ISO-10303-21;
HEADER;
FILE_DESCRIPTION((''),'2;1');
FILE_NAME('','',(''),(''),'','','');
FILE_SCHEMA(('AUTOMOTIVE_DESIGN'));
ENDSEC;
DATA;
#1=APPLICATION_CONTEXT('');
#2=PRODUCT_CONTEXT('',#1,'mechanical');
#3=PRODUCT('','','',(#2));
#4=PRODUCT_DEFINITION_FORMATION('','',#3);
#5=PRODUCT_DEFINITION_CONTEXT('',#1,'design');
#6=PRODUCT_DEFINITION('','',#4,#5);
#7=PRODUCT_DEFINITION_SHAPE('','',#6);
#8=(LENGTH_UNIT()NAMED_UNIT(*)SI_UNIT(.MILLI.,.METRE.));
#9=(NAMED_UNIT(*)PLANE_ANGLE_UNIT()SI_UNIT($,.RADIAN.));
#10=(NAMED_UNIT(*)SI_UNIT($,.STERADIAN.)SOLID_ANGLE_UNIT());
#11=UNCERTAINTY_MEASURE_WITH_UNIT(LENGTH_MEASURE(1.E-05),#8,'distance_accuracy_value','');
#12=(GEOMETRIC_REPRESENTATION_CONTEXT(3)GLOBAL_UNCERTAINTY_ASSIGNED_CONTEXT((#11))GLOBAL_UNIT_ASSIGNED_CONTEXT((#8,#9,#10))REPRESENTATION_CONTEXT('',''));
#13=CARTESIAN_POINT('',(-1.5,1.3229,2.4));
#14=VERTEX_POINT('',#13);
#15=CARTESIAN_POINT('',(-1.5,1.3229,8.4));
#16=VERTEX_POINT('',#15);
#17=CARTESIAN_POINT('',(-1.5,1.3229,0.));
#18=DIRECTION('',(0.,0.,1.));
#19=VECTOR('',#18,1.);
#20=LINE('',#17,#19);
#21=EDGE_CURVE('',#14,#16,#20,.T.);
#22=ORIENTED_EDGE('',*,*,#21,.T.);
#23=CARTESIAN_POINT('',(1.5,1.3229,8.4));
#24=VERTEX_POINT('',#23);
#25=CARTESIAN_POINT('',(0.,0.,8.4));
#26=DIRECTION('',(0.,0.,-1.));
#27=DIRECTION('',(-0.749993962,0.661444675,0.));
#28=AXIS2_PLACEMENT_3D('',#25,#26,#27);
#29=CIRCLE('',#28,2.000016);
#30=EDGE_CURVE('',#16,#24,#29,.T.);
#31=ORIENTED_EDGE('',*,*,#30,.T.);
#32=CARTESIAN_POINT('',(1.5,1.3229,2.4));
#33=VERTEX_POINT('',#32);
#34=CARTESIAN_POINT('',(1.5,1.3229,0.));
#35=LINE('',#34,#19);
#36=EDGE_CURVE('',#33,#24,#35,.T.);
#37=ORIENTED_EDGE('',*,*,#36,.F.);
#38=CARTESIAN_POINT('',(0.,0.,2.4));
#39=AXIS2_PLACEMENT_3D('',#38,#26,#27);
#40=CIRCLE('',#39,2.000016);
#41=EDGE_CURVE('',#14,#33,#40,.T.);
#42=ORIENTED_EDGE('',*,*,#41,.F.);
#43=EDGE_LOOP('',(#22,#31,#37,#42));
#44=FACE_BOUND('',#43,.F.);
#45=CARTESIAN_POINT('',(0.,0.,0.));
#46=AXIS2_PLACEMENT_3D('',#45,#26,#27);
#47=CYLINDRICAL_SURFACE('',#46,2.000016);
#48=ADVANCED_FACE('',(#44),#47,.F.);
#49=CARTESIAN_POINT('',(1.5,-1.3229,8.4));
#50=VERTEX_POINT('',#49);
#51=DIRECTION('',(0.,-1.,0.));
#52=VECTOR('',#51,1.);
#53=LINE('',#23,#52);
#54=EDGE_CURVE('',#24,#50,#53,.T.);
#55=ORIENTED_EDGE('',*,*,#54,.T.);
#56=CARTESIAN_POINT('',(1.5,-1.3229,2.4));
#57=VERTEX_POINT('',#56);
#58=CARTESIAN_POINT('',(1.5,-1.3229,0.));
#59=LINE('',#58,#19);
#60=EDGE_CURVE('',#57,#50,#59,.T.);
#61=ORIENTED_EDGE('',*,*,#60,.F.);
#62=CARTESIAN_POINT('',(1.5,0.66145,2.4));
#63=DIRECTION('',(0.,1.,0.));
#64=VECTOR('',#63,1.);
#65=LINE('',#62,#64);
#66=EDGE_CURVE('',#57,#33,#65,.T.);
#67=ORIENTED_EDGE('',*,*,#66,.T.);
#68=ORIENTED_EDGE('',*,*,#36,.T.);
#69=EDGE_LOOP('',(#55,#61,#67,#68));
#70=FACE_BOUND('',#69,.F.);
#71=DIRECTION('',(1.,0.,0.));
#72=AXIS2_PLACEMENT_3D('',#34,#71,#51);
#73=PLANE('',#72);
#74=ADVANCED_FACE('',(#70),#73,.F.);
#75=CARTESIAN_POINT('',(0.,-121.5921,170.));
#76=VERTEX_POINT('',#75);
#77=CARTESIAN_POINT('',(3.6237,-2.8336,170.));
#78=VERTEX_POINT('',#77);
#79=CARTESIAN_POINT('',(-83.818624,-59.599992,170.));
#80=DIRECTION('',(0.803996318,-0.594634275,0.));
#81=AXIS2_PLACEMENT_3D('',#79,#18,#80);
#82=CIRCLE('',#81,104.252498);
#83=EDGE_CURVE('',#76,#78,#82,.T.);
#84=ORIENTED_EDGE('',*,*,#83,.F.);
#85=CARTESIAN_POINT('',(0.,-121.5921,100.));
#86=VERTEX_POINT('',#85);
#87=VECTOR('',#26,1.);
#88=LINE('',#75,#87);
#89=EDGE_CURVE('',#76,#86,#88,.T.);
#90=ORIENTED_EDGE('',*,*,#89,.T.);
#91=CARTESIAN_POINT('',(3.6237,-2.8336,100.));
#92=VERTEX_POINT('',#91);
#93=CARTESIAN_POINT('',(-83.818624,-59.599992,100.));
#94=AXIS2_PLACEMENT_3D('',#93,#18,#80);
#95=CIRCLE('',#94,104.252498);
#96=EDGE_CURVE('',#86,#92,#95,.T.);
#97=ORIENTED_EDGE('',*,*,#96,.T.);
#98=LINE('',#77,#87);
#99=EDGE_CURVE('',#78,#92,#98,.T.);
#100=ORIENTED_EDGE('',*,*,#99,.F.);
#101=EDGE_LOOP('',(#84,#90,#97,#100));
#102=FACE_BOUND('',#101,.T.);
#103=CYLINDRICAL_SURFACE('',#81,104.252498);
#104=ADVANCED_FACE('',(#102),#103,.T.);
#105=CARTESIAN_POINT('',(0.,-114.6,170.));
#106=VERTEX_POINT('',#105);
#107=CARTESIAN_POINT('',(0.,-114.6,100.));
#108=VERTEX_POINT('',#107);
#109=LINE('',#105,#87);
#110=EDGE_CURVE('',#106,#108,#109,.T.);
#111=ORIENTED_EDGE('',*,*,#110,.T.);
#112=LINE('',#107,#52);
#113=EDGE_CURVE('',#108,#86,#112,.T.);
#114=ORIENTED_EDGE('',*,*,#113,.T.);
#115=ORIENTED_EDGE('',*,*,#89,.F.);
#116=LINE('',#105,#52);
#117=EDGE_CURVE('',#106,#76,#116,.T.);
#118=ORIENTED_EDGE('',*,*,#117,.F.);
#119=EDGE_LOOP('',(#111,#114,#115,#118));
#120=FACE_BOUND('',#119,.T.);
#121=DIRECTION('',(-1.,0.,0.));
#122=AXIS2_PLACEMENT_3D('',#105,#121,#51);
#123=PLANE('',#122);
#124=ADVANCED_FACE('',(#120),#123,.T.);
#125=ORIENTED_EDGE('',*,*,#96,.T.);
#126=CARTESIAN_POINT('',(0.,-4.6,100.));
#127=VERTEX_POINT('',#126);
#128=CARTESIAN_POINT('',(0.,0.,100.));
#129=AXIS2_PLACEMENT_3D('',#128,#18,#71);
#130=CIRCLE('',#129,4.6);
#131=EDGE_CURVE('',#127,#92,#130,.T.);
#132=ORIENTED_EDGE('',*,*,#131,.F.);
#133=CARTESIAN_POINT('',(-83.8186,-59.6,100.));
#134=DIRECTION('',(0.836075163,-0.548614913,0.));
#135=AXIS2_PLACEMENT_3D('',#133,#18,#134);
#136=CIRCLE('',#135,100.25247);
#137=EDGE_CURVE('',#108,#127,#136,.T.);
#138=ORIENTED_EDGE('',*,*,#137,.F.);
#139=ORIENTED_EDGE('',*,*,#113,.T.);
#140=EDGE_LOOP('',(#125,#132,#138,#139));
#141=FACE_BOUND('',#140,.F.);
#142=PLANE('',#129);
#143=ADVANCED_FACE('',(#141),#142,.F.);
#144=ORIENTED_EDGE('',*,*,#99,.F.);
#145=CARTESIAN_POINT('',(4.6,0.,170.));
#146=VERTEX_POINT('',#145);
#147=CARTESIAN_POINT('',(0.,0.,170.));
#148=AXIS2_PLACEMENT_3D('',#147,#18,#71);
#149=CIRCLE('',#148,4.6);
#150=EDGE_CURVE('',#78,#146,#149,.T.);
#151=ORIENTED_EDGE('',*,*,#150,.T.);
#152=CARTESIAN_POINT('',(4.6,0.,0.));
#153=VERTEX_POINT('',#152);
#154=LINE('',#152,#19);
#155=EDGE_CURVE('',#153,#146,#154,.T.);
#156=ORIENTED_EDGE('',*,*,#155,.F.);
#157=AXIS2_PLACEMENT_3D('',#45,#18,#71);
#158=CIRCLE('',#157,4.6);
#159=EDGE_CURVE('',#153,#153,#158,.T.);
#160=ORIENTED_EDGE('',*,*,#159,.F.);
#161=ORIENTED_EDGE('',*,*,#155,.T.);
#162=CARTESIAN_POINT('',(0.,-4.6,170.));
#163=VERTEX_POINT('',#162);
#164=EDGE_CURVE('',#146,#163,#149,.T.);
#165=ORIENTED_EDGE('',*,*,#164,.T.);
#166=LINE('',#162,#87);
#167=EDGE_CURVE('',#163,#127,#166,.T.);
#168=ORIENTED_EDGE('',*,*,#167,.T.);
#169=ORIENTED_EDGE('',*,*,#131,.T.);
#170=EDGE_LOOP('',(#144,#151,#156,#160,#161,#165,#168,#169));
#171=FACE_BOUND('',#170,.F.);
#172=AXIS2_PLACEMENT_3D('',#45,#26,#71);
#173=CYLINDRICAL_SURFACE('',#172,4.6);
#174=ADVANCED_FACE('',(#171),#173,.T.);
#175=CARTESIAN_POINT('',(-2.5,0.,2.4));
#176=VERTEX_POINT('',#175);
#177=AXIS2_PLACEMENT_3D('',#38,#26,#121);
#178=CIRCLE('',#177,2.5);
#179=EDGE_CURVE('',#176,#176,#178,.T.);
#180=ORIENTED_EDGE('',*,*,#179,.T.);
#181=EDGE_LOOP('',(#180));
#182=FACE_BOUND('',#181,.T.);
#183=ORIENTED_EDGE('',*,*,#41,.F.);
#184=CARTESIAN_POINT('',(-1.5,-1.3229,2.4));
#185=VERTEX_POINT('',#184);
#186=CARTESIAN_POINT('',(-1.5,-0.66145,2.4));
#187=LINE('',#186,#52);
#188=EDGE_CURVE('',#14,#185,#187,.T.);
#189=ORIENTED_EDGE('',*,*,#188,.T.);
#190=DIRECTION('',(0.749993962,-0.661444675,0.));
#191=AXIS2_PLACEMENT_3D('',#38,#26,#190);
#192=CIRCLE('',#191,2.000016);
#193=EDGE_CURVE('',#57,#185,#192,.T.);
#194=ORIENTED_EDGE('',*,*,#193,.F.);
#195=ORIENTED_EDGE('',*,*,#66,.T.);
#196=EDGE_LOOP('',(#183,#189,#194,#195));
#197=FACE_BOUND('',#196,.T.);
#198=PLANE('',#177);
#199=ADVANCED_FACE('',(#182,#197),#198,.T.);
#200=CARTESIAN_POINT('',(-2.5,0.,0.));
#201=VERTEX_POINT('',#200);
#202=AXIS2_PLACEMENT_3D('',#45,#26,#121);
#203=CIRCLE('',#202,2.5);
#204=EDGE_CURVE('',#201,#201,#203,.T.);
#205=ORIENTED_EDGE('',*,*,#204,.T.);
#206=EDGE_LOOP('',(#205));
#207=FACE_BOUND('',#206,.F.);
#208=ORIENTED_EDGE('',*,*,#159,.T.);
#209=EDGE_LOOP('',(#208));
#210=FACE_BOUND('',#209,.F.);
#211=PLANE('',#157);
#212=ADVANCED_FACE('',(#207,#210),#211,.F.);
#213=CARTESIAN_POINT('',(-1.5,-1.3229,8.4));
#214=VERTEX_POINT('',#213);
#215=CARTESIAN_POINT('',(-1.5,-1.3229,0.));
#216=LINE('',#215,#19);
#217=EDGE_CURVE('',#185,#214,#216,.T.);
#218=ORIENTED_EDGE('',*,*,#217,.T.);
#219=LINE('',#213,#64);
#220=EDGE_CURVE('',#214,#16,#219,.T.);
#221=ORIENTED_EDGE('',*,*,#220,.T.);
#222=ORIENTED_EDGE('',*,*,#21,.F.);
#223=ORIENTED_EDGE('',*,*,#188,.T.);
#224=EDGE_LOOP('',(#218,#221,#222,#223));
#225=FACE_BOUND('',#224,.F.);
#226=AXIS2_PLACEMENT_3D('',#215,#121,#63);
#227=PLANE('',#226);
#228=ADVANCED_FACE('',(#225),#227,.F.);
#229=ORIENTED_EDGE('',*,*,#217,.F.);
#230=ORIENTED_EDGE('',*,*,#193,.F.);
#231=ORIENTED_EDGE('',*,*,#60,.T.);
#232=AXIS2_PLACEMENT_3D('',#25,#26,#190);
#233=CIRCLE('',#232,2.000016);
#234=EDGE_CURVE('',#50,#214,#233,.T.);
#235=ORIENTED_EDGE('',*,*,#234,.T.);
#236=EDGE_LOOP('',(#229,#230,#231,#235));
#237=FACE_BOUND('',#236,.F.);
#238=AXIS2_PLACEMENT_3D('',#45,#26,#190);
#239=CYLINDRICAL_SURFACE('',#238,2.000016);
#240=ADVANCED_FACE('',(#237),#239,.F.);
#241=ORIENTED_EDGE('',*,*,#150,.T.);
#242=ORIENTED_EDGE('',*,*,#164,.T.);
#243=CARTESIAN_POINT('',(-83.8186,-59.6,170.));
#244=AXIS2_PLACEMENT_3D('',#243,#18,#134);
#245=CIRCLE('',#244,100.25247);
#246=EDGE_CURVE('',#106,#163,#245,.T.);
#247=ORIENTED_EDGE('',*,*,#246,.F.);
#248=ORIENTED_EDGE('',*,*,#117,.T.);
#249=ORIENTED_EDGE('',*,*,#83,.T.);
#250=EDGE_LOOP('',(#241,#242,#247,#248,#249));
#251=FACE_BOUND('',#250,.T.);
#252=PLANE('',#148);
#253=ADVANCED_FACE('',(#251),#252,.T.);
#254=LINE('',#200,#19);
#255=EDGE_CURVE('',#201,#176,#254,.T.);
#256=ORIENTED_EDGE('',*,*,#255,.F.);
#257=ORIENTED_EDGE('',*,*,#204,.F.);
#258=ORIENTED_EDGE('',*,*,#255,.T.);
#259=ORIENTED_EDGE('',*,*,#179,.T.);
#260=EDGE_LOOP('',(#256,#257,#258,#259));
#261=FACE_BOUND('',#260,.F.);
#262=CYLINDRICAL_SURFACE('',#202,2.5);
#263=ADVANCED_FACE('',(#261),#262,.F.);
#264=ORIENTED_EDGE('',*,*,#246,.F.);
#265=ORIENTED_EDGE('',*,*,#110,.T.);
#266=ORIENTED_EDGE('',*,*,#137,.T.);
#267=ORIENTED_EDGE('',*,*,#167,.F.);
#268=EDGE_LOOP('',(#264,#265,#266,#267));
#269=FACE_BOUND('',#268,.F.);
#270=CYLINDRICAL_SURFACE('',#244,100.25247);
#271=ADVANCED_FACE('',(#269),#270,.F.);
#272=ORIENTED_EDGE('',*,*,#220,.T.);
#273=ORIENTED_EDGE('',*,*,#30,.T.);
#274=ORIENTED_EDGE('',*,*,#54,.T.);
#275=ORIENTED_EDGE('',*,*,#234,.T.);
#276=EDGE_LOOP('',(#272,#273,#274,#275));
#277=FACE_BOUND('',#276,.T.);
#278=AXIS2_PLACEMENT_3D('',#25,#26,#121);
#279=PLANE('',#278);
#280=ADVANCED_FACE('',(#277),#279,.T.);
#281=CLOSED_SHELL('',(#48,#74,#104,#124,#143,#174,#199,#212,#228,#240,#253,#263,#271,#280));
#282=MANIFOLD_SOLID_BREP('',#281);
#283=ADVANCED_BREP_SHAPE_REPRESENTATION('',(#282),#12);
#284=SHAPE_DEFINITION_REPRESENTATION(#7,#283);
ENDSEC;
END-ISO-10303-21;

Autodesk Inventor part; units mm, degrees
ref_plane "YZ Plane" through (0, 0, 0) normal (1, 0, 0) x (0, 1, 0)
ref_plane "XZ Plane" through (0, 0, 0) normal (0, 1, 0) x (-1, 0, 0)
ref_plane "XY Plane" through (0, 0, 0) normal (0, 0, 1) x (1, 0, 0)
sketch "Эскиз1" plane through (0, 0, 0) normal (0, 0, 1) x (1, 0, 0)
  circle A0 centre (0, 0) radius 4.6
  dimension "d0" = 9.2
extrude "Выдавливание1" add sketch "Эскиз1" along normal blind 170
sketch "Эскиз3" plane through (0, 0, 170) normal (0, 0, 1) x (1, 0, 0)
  circle A0 centre (0, 0) radius 4.6 projected
  arc A1 (0, -114.6) -> (0, -4.6) centre (-83.8186, -59.6) ccw
  arc A2 (0, -121.5921) -> (3.6237, -2.8336) centre (-83.8186, -59.6) ccw
  line L0 (0, 0) -> (0, -4.6) construction
  line L1 (0, -114.6) -> (0, -121.5921)
  dimension "d3" = 4
  dimension "d4" = 110
extrude "Выдавливание2" add sketch "Эскиз3" against normal blind 70 contours A0 A2 L1 A1
sketch "Эскиз5" plane through (0, 0, 0) normal (0, 0, -1) x (-1, 0, 0)
  line L0 (-1.5, 1.3229) -> (-1.5, -1.3229) projected
  arc A0 (1.5, 1.3229) -> (-1.5, 1.3229) centre (0, 0) ccw projected
  line L1 (1.5, -1.3229) -> (1.5, 1.3229) projected
  arc A1 (-1.5, -1.3229) -> (1.5, -1.3229) centre (0, 0) ccw projected
  point P0 (0, 0)
extrude "Выдавливание4" cut sketch "Эскиз5" against normal blind 8.4
sketch "Эскиз6" plane through (0, 0, 0) normal (0, 0, -1) x (-1, 0, 0)
  circle A0 centre (0, 0) radius 2.5 projected
  point P0 (0, 0)
extrude "Выдавливание5" cut sketch "Эскиз6" against normal blind 2.4
properties part number "локатор"
